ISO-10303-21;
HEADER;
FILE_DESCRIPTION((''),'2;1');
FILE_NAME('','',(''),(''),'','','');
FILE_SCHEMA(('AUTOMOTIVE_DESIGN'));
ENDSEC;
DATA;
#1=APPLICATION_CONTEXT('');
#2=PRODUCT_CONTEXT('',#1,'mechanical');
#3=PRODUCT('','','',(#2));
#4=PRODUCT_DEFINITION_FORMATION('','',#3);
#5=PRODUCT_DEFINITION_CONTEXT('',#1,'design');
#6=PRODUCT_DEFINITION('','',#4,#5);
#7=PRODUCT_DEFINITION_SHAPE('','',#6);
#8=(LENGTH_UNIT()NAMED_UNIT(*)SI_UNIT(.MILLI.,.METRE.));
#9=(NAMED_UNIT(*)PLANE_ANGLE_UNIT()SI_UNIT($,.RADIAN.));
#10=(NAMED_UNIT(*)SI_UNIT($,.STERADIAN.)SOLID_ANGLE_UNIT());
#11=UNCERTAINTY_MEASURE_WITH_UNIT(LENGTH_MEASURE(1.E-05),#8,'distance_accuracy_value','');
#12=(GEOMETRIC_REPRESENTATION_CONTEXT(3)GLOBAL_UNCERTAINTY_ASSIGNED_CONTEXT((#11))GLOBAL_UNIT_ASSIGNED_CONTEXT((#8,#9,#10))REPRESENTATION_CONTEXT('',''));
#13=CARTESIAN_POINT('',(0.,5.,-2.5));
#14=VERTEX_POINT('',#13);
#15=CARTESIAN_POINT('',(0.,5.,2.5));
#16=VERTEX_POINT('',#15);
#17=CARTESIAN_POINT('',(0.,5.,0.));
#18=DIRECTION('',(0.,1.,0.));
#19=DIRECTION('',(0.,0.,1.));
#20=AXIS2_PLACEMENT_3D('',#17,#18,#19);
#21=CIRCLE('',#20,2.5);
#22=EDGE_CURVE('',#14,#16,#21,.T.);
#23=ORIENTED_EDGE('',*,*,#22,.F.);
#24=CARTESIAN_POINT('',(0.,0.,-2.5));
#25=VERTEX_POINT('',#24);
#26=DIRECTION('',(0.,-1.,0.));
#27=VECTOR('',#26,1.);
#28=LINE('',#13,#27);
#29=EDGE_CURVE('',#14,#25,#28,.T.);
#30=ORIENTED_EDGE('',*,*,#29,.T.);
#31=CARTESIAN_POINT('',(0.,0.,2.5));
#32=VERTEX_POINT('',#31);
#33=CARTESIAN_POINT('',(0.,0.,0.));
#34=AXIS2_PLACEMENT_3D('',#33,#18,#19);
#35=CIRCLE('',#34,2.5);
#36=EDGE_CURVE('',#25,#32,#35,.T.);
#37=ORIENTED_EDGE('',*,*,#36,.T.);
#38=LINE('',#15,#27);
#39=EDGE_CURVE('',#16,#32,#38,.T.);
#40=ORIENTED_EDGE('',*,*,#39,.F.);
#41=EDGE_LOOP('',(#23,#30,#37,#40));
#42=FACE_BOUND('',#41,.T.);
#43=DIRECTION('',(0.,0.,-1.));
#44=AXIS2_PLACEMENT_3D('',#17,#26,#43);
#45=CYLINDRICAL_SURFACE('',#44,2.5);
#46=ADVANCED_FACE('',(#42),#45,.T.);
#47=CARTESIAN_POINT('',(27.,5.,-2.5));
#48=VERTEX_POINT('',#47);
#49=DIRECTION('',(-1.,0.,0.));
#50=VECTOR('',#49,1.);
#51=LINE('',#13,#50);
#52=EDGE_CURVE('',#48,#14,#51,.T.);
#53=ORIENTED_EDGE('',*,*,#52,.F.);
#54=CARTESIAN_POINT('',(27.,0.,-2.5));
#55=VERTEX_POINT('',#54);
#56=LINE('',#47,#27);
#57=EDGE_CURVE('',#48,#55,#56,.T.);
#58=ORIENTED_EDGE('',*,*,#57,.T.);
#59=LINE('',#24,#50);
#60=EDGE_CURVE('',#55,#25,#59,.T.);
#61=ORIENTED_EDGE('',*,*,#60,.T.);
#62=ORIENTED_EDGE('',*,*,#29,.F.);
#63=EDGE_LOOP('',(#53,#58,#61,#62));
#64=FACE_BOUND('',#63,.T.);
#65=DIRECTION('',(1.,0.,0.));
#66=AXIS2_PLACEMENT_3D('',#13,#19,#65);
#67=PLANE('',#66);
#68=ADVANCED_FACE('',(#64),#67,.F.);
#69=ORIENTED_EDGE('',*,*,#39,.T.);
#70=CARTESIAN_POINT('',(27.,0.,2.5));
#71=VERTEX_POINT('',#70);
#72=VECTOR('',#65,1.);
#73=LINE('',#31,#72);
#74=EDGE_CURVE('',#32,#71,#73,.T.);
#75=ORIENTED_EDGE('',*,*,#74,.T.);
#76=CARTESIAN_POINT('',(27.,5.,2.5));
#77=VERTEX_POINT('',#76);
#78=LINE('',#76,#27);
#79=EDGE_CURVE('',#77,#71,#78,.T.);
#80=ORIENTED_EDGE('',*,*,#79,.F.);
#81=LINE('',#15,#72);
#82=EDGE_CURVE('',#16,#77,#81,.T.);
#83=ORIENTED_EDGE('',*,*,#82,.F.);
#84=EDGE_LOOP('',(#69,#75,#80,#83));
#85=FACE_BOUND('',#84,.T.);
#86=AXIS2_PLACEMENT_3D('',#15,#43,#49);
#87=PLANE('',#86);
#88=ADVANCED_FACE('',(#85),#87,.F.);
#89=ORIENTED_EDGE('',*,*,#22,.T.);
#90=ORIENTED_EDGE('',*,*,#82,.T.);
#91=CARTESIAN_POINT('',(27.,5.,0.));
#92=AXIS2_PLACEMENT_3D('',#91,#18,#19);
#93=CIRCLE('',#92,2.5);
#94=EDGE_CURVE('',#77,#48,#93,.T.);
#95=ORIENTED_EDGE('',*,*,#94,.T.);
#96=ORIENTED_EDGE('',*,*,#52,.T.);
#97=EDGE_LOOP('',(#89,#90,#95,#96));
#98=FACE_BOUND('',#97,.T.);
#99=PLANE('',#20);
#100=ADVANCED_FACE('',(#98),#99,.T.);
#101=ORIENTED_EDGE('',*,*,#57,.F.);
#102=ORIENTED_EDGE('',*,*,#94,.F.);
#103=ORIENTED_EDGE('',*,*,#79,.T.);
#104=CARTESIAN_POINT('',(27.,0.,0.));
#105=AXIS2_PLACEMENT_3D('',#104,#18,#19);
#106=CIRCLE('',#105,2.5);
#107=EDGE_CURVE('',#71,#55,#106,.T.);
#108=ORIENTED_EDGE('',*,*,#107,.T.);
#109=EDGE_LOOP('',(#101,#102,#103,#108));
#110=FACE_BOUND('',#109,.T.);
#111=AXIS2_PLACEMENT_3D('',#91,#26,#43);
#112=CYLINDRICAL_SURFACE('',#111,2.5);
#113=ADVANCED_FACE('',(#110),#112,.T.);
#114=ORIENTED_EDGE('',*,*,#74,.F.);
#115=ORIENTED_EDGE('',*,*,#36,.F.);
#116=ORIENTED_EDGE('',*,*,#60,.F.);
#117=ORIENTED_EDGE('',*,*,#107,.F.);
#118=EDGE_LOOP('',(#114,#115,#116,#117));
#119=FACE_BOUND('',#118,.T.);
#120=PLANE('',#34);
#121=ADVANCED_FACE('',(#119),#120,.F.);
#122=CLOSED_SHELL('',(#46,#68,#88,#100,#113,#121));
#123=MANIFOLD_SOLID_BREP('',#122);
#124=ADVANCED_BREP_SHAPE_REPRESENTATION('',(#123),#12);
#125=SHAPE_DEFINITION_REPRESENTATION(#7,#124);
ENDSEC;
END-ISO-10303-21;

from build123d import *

# Parameters (mm, degrees)
EXTRUDE_1_DEPTH = 5


with BuildPart() as part:
    # Эскиз1 → Бобышка-Вытянуть1 (new body)
    with BuildSketch(Plane(origin=(0, 0, 0), x_dir=(1, 0, 0), z_dir=(0, 1, 0))):
        with BuildLine():
            Line((0, 2.5), (27, 2.5))
            ThreePointArc((27, 2.5), (29.5, 0), (27, -2.5))
            Line((27, -2.5), (0, -2.5))
            ThreePointArc((0, -2.5), (-2.5, 0), (0, 2.5))
        make_face()
    extrude(amount=EXTRUDE_1_DEPTH)


solid = part.part
